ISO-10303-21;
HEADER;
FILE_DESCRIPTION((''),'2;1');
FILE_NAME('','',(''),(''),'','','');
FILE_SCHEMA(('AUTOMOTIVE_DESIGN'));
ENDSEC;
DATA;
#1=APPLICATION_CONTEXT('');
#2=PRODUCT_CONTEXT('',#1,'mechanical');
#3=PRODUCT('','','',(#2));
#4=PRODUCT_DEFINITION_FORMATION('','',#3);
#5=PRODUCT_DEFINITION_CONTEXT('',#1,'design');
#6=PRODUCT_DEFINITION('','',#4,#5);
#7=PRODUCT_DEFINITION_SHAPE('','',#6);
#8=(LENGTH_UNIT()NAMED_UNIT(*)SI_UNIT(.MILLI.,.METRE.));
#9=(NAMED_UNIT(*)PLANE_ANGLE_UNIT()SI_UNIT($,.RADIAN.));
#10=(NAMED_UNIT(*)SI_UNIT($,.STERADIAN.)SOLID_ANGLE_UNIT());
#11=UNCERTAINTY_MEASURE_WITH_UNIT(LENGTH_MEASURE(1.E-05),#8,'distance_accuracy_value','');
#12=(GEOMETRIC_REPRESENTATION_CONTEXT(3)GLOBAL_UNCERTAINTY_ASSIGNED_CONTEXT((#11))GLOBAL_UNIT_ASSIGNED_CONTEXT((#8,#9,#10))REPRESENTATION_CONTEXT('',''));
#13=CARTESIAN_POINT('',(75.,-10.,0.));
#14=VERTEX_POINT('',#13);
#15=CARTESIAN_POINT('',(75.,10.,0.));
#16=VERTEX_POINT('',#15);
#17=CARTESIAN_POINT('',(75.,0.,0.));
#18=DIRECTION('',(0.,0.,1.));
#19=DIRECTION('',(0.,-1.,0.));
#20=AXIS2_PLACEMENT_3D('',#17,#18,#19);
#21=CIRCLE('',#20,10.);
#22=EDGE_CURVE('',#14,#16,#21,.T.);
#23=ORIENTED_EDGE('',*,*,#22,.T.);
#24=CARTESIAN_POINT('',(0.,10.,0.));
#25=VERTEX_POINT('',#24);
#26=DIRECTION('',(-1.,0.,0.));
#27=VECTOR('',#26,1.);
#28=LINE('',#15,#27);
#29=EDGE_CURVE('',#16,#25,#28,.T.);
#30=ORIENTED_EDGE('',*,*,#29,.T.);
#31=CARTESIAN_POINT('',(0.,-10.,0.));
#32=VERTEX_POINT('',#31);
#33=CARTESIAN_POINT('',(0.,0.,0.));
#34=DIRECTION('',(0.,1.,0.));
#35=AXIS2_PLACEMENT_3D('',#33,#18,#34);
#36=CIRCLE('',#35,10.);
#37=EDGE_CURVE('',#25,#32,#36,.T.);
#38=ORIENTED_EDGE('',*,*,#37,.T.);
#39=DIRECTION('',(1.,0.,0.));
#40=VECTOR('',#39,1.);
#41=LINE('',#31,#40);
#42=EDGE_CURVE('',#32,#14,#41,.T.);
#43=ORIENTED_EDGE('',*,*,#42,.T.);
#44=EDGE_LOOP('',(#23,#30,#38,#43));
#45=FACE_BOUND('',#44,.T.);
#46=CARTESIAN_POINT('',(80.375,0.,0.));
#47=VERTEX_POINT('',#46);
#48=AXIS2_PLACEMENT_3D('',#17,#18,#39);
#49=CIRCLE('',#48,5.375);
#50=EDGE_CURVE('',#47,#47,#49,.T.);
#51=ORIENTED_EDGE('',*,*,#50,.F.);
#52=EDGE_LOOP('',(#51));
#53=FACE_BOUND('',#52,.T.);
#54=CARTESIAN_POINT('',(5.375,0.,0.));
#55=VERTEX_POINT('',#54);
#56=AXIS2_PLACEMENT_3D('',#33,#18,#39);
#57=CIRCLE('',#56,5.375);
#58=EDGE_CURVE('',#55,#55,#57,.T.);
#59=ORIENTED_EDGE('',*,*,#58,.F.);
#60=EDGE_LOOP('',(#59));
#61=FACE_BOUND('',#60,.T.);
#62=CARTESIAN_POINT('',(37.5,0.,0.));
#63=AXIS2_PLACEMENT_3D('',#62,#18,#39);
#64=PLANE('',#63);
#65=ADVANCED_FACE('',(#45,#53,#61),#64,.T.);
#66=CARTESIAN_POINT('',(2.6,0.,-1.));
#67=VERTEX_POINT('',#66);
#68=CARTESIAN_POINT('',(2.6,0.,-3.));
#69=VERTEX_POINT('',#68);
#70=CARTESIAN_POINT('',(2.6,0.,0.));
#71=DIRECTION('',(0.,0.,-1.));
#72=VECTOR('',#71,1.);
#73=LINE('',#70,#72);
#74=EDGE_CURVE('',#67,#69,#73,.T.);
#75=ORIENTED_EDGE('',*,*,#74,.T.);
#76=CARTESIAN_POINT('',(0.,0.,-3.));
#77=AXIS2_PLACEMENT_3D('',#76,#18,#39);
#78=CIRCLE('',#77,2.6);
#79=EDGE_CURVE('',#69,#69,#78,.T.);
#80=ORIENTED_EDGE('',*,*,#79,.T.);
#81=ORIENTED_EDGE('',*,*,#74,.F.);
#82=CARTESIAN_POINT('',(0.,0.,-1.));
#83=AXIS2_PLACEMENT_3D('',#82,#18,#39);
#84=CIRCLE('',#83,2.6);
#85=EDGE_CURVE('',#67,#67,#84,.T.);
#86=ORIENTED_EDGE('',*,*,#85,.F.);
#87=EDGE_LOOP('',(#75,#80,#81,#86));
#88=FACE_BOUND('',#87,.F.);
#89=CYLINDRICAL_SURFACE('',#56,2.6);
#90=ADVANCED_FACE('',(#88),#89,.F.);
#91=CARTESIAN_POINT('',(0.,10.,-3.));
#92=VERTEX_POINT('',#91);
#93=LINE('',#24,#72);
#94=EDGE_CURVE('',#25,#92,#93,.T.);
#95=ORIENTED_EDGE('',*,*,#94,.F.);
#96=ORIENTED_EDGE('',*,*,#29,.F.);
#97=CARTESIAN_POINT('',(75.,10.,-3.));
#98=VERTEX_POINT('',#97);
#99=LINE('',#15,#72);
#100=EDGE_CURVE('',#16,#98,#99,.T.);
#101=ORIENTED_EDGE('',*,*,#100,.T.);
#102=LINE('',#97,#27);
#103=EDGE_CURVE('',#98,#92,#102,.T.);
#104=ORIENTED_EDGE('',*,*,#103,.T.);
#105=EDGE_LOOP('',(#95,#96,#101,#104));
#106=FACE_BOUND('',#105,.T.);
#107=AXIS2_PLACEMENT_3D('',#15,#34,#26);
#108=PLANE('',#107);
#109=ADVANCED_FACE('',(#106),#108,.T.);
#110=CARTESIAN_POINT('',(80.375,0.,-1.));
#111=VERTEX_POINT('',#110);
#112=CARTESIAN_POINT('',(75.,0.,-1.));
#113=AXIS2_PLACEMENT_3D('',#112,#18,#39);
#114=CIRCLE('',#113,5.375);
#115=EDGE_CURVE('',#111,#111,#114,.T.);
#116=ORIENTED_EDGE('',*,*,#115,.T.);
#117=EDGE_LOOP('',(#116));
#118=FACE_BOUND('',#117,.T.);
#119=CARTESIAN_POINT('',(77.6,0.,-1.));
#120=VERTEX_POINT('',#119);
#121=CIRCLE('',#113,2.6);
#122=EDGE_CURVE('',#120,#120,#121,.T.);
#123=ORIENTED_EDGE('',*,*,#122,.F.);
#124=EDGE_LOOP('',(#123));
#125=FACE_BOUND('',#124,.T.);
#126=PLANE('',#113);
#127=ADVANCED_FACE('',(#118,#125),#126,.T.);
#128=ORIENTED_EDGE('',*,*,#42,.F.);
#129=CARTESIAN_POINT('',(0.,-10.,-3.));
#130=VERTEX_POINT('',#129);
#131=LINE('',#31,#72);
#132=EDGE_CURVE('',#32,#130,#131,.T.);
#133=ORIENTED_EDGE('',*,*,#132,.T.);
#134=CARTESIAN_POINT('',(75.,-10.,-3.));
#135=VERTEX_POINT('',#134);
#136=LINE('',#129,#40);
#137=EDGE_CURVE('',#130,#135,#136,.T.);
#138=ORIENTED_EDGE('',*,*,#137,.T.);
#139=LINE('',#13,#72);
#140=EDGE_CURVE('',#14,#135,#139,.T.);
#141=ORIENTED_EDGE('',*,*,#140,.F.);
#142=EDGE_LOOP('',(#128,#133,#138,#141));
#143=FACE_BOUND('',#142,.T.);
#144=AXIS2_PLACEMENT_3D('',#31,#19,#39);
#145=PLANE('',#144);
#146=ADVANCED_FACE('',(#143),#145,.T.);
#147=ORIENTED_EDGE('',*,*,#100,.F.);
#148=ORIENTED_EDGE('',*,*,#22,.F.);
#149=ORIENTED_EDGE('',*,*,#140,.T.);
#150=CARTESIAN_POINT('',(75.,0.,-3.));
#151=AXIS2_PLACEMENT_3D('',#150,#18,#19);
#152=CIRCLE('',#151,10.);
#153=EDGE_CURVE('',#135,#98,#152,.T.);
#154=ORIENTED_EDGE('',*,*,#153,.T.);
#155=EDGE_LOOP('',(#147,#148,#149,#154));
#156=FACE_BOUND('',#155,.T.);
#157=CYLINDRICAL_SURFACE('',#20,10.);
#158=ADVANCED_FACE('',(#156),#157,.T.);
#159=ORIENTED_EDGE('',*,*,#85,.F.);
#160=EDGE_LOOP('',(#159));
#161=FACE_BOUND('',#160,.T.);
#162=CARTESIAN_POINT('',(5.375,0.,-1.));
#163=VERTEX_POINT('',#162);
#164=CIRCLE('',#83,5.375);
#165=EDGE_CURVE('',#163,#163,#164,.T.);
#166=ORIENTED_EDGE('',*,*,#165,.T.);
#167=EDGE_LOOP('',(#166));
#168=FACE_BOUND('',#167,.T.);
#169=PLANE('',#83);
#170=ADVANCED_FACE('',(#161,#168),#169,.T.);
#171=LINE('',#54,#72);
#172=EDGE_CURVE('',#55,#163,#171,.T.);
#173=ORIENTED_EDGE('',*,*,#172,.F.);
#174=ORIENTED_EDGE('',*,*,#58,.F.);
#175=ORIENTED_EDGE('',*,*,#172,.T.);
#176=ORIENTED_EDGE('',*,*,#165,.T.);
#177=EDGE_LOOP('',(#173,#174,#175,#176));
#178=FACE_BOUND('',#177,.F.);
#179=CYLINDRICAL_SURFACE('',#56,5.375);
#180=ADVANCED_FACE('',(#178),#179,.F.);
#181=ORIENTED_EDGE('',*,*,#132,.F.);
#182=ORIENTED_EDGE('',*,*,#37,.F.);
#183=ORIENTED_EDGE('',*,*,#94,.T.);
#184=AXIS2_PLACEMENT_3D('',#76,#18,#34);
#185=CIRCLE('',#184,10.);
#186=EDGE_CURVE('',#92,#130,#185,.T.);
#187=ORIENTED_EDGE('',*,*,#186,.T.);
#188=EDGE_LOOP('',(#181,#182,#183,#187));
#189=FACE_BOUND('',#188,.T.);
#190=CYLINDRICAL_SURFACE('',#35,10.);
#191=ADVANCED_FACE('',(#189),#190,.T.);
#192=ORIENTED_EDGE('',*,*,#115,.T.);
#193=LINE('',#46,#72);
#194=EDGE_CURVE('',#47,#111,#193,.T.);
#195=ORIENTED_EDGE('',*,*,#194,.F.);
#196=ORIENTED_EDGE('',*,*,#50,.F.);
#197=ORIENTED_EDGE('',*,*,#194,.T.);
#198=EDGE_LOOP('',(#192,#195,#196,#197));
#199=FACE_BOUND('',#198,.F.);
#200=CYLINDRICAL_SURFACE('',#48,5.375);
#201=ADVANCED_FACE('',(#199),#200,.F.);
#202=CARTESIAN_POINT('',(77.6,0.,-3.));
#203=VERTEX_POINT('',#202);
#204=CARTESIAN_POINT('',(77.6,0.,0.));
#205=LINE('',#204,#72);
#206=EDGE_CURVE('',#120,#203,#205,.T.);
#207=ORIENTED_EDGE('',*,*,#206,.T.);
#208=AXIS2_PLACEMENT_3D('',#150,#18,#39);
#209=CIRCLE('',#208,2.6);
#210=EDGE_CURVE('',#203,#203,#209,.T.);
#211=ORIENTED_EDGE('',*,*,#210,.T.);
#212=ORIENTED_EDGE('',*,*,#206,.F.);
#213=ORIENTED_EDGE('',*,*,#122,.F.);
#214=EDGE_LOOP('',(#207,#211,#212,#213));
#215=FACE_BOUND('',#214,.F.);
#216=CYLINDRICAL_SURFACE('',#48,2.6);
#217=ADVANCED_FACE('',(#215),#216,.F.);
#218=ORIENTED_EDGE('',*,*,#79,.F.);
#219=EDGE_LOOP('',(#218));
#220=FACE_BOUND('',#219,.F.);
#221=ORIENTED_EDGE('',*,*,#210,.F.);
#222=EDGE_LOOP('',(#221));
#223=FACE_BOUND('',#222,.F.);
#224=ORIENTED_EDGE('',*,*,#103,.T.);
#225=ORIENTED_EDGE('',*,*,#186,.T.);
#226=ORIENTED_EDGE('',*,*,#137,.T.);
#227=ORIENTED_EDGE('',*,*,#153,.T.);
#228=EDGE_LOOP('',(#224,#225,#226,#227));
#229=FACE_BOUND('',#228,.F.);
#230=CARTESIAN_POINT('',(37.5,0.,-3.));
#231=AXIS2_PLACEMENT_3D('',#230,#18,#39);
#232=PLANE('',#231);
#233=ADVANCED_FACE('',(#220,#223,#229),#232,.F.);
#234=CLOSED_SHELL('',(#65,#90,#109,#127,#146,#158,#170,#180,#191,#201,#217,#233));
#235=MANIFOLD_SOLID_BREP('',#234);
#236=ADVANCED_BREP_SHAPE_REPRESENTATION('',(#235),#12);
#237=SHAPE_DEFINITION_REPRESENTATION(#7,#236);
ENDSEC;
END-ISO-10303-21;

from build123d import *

# Parameters (mm, degrees)
F0_R     = 5.375
F0_R_2   = 2.6
F1_DEPTH = 3
F2_DEPTH = 1


with BuildPart() as f1:
    # F0 (on Top) → F1 (new body)
    with BuildSketch(Plane.XY):
        with BuildLine():
            Line((75, 10), (0, 10))
            ThreePointArc((0, 10), (-10, 0), (0, -10))
            Line((0, -10), (75, -10))
            ThreePointArc((75, -10), (85, 0), (75, 10))
        make_face()
        Circle(F0_R, mode=Mode.SUBTRACT)
        with Locations((75, 0)):
            Circle(F0_R, mode=Mode.SUBTRACT)
        with Locations((75, 0)):
            Circle(F0_R)
        with Locations((75, 0)):
            Circle(F0_R_2, mode=Mode.SUBTRACT)
        Circle(F0_R)
        Circle(F0_R_2, mode=Mode.SUBTRACT)
    extrude(amount=-F1_DEPTH)

    # F0 (on Top) → F2 (cut)
    with BuildSketch(Plane.XY):
        with Locations((75, 0)):
            Circle(F0_R)
        with Locations((75, 0)):
            Circle(F0_R_2, mode=Mode.SUBTRACT)
        Circle(F0_R)
        Circle(F0_R_2, mode=Mode.SUBTRACT)
    extrude(amount=-F2_DEPTH, mode=Mode.SUBTRACT)


solid = f1.part
